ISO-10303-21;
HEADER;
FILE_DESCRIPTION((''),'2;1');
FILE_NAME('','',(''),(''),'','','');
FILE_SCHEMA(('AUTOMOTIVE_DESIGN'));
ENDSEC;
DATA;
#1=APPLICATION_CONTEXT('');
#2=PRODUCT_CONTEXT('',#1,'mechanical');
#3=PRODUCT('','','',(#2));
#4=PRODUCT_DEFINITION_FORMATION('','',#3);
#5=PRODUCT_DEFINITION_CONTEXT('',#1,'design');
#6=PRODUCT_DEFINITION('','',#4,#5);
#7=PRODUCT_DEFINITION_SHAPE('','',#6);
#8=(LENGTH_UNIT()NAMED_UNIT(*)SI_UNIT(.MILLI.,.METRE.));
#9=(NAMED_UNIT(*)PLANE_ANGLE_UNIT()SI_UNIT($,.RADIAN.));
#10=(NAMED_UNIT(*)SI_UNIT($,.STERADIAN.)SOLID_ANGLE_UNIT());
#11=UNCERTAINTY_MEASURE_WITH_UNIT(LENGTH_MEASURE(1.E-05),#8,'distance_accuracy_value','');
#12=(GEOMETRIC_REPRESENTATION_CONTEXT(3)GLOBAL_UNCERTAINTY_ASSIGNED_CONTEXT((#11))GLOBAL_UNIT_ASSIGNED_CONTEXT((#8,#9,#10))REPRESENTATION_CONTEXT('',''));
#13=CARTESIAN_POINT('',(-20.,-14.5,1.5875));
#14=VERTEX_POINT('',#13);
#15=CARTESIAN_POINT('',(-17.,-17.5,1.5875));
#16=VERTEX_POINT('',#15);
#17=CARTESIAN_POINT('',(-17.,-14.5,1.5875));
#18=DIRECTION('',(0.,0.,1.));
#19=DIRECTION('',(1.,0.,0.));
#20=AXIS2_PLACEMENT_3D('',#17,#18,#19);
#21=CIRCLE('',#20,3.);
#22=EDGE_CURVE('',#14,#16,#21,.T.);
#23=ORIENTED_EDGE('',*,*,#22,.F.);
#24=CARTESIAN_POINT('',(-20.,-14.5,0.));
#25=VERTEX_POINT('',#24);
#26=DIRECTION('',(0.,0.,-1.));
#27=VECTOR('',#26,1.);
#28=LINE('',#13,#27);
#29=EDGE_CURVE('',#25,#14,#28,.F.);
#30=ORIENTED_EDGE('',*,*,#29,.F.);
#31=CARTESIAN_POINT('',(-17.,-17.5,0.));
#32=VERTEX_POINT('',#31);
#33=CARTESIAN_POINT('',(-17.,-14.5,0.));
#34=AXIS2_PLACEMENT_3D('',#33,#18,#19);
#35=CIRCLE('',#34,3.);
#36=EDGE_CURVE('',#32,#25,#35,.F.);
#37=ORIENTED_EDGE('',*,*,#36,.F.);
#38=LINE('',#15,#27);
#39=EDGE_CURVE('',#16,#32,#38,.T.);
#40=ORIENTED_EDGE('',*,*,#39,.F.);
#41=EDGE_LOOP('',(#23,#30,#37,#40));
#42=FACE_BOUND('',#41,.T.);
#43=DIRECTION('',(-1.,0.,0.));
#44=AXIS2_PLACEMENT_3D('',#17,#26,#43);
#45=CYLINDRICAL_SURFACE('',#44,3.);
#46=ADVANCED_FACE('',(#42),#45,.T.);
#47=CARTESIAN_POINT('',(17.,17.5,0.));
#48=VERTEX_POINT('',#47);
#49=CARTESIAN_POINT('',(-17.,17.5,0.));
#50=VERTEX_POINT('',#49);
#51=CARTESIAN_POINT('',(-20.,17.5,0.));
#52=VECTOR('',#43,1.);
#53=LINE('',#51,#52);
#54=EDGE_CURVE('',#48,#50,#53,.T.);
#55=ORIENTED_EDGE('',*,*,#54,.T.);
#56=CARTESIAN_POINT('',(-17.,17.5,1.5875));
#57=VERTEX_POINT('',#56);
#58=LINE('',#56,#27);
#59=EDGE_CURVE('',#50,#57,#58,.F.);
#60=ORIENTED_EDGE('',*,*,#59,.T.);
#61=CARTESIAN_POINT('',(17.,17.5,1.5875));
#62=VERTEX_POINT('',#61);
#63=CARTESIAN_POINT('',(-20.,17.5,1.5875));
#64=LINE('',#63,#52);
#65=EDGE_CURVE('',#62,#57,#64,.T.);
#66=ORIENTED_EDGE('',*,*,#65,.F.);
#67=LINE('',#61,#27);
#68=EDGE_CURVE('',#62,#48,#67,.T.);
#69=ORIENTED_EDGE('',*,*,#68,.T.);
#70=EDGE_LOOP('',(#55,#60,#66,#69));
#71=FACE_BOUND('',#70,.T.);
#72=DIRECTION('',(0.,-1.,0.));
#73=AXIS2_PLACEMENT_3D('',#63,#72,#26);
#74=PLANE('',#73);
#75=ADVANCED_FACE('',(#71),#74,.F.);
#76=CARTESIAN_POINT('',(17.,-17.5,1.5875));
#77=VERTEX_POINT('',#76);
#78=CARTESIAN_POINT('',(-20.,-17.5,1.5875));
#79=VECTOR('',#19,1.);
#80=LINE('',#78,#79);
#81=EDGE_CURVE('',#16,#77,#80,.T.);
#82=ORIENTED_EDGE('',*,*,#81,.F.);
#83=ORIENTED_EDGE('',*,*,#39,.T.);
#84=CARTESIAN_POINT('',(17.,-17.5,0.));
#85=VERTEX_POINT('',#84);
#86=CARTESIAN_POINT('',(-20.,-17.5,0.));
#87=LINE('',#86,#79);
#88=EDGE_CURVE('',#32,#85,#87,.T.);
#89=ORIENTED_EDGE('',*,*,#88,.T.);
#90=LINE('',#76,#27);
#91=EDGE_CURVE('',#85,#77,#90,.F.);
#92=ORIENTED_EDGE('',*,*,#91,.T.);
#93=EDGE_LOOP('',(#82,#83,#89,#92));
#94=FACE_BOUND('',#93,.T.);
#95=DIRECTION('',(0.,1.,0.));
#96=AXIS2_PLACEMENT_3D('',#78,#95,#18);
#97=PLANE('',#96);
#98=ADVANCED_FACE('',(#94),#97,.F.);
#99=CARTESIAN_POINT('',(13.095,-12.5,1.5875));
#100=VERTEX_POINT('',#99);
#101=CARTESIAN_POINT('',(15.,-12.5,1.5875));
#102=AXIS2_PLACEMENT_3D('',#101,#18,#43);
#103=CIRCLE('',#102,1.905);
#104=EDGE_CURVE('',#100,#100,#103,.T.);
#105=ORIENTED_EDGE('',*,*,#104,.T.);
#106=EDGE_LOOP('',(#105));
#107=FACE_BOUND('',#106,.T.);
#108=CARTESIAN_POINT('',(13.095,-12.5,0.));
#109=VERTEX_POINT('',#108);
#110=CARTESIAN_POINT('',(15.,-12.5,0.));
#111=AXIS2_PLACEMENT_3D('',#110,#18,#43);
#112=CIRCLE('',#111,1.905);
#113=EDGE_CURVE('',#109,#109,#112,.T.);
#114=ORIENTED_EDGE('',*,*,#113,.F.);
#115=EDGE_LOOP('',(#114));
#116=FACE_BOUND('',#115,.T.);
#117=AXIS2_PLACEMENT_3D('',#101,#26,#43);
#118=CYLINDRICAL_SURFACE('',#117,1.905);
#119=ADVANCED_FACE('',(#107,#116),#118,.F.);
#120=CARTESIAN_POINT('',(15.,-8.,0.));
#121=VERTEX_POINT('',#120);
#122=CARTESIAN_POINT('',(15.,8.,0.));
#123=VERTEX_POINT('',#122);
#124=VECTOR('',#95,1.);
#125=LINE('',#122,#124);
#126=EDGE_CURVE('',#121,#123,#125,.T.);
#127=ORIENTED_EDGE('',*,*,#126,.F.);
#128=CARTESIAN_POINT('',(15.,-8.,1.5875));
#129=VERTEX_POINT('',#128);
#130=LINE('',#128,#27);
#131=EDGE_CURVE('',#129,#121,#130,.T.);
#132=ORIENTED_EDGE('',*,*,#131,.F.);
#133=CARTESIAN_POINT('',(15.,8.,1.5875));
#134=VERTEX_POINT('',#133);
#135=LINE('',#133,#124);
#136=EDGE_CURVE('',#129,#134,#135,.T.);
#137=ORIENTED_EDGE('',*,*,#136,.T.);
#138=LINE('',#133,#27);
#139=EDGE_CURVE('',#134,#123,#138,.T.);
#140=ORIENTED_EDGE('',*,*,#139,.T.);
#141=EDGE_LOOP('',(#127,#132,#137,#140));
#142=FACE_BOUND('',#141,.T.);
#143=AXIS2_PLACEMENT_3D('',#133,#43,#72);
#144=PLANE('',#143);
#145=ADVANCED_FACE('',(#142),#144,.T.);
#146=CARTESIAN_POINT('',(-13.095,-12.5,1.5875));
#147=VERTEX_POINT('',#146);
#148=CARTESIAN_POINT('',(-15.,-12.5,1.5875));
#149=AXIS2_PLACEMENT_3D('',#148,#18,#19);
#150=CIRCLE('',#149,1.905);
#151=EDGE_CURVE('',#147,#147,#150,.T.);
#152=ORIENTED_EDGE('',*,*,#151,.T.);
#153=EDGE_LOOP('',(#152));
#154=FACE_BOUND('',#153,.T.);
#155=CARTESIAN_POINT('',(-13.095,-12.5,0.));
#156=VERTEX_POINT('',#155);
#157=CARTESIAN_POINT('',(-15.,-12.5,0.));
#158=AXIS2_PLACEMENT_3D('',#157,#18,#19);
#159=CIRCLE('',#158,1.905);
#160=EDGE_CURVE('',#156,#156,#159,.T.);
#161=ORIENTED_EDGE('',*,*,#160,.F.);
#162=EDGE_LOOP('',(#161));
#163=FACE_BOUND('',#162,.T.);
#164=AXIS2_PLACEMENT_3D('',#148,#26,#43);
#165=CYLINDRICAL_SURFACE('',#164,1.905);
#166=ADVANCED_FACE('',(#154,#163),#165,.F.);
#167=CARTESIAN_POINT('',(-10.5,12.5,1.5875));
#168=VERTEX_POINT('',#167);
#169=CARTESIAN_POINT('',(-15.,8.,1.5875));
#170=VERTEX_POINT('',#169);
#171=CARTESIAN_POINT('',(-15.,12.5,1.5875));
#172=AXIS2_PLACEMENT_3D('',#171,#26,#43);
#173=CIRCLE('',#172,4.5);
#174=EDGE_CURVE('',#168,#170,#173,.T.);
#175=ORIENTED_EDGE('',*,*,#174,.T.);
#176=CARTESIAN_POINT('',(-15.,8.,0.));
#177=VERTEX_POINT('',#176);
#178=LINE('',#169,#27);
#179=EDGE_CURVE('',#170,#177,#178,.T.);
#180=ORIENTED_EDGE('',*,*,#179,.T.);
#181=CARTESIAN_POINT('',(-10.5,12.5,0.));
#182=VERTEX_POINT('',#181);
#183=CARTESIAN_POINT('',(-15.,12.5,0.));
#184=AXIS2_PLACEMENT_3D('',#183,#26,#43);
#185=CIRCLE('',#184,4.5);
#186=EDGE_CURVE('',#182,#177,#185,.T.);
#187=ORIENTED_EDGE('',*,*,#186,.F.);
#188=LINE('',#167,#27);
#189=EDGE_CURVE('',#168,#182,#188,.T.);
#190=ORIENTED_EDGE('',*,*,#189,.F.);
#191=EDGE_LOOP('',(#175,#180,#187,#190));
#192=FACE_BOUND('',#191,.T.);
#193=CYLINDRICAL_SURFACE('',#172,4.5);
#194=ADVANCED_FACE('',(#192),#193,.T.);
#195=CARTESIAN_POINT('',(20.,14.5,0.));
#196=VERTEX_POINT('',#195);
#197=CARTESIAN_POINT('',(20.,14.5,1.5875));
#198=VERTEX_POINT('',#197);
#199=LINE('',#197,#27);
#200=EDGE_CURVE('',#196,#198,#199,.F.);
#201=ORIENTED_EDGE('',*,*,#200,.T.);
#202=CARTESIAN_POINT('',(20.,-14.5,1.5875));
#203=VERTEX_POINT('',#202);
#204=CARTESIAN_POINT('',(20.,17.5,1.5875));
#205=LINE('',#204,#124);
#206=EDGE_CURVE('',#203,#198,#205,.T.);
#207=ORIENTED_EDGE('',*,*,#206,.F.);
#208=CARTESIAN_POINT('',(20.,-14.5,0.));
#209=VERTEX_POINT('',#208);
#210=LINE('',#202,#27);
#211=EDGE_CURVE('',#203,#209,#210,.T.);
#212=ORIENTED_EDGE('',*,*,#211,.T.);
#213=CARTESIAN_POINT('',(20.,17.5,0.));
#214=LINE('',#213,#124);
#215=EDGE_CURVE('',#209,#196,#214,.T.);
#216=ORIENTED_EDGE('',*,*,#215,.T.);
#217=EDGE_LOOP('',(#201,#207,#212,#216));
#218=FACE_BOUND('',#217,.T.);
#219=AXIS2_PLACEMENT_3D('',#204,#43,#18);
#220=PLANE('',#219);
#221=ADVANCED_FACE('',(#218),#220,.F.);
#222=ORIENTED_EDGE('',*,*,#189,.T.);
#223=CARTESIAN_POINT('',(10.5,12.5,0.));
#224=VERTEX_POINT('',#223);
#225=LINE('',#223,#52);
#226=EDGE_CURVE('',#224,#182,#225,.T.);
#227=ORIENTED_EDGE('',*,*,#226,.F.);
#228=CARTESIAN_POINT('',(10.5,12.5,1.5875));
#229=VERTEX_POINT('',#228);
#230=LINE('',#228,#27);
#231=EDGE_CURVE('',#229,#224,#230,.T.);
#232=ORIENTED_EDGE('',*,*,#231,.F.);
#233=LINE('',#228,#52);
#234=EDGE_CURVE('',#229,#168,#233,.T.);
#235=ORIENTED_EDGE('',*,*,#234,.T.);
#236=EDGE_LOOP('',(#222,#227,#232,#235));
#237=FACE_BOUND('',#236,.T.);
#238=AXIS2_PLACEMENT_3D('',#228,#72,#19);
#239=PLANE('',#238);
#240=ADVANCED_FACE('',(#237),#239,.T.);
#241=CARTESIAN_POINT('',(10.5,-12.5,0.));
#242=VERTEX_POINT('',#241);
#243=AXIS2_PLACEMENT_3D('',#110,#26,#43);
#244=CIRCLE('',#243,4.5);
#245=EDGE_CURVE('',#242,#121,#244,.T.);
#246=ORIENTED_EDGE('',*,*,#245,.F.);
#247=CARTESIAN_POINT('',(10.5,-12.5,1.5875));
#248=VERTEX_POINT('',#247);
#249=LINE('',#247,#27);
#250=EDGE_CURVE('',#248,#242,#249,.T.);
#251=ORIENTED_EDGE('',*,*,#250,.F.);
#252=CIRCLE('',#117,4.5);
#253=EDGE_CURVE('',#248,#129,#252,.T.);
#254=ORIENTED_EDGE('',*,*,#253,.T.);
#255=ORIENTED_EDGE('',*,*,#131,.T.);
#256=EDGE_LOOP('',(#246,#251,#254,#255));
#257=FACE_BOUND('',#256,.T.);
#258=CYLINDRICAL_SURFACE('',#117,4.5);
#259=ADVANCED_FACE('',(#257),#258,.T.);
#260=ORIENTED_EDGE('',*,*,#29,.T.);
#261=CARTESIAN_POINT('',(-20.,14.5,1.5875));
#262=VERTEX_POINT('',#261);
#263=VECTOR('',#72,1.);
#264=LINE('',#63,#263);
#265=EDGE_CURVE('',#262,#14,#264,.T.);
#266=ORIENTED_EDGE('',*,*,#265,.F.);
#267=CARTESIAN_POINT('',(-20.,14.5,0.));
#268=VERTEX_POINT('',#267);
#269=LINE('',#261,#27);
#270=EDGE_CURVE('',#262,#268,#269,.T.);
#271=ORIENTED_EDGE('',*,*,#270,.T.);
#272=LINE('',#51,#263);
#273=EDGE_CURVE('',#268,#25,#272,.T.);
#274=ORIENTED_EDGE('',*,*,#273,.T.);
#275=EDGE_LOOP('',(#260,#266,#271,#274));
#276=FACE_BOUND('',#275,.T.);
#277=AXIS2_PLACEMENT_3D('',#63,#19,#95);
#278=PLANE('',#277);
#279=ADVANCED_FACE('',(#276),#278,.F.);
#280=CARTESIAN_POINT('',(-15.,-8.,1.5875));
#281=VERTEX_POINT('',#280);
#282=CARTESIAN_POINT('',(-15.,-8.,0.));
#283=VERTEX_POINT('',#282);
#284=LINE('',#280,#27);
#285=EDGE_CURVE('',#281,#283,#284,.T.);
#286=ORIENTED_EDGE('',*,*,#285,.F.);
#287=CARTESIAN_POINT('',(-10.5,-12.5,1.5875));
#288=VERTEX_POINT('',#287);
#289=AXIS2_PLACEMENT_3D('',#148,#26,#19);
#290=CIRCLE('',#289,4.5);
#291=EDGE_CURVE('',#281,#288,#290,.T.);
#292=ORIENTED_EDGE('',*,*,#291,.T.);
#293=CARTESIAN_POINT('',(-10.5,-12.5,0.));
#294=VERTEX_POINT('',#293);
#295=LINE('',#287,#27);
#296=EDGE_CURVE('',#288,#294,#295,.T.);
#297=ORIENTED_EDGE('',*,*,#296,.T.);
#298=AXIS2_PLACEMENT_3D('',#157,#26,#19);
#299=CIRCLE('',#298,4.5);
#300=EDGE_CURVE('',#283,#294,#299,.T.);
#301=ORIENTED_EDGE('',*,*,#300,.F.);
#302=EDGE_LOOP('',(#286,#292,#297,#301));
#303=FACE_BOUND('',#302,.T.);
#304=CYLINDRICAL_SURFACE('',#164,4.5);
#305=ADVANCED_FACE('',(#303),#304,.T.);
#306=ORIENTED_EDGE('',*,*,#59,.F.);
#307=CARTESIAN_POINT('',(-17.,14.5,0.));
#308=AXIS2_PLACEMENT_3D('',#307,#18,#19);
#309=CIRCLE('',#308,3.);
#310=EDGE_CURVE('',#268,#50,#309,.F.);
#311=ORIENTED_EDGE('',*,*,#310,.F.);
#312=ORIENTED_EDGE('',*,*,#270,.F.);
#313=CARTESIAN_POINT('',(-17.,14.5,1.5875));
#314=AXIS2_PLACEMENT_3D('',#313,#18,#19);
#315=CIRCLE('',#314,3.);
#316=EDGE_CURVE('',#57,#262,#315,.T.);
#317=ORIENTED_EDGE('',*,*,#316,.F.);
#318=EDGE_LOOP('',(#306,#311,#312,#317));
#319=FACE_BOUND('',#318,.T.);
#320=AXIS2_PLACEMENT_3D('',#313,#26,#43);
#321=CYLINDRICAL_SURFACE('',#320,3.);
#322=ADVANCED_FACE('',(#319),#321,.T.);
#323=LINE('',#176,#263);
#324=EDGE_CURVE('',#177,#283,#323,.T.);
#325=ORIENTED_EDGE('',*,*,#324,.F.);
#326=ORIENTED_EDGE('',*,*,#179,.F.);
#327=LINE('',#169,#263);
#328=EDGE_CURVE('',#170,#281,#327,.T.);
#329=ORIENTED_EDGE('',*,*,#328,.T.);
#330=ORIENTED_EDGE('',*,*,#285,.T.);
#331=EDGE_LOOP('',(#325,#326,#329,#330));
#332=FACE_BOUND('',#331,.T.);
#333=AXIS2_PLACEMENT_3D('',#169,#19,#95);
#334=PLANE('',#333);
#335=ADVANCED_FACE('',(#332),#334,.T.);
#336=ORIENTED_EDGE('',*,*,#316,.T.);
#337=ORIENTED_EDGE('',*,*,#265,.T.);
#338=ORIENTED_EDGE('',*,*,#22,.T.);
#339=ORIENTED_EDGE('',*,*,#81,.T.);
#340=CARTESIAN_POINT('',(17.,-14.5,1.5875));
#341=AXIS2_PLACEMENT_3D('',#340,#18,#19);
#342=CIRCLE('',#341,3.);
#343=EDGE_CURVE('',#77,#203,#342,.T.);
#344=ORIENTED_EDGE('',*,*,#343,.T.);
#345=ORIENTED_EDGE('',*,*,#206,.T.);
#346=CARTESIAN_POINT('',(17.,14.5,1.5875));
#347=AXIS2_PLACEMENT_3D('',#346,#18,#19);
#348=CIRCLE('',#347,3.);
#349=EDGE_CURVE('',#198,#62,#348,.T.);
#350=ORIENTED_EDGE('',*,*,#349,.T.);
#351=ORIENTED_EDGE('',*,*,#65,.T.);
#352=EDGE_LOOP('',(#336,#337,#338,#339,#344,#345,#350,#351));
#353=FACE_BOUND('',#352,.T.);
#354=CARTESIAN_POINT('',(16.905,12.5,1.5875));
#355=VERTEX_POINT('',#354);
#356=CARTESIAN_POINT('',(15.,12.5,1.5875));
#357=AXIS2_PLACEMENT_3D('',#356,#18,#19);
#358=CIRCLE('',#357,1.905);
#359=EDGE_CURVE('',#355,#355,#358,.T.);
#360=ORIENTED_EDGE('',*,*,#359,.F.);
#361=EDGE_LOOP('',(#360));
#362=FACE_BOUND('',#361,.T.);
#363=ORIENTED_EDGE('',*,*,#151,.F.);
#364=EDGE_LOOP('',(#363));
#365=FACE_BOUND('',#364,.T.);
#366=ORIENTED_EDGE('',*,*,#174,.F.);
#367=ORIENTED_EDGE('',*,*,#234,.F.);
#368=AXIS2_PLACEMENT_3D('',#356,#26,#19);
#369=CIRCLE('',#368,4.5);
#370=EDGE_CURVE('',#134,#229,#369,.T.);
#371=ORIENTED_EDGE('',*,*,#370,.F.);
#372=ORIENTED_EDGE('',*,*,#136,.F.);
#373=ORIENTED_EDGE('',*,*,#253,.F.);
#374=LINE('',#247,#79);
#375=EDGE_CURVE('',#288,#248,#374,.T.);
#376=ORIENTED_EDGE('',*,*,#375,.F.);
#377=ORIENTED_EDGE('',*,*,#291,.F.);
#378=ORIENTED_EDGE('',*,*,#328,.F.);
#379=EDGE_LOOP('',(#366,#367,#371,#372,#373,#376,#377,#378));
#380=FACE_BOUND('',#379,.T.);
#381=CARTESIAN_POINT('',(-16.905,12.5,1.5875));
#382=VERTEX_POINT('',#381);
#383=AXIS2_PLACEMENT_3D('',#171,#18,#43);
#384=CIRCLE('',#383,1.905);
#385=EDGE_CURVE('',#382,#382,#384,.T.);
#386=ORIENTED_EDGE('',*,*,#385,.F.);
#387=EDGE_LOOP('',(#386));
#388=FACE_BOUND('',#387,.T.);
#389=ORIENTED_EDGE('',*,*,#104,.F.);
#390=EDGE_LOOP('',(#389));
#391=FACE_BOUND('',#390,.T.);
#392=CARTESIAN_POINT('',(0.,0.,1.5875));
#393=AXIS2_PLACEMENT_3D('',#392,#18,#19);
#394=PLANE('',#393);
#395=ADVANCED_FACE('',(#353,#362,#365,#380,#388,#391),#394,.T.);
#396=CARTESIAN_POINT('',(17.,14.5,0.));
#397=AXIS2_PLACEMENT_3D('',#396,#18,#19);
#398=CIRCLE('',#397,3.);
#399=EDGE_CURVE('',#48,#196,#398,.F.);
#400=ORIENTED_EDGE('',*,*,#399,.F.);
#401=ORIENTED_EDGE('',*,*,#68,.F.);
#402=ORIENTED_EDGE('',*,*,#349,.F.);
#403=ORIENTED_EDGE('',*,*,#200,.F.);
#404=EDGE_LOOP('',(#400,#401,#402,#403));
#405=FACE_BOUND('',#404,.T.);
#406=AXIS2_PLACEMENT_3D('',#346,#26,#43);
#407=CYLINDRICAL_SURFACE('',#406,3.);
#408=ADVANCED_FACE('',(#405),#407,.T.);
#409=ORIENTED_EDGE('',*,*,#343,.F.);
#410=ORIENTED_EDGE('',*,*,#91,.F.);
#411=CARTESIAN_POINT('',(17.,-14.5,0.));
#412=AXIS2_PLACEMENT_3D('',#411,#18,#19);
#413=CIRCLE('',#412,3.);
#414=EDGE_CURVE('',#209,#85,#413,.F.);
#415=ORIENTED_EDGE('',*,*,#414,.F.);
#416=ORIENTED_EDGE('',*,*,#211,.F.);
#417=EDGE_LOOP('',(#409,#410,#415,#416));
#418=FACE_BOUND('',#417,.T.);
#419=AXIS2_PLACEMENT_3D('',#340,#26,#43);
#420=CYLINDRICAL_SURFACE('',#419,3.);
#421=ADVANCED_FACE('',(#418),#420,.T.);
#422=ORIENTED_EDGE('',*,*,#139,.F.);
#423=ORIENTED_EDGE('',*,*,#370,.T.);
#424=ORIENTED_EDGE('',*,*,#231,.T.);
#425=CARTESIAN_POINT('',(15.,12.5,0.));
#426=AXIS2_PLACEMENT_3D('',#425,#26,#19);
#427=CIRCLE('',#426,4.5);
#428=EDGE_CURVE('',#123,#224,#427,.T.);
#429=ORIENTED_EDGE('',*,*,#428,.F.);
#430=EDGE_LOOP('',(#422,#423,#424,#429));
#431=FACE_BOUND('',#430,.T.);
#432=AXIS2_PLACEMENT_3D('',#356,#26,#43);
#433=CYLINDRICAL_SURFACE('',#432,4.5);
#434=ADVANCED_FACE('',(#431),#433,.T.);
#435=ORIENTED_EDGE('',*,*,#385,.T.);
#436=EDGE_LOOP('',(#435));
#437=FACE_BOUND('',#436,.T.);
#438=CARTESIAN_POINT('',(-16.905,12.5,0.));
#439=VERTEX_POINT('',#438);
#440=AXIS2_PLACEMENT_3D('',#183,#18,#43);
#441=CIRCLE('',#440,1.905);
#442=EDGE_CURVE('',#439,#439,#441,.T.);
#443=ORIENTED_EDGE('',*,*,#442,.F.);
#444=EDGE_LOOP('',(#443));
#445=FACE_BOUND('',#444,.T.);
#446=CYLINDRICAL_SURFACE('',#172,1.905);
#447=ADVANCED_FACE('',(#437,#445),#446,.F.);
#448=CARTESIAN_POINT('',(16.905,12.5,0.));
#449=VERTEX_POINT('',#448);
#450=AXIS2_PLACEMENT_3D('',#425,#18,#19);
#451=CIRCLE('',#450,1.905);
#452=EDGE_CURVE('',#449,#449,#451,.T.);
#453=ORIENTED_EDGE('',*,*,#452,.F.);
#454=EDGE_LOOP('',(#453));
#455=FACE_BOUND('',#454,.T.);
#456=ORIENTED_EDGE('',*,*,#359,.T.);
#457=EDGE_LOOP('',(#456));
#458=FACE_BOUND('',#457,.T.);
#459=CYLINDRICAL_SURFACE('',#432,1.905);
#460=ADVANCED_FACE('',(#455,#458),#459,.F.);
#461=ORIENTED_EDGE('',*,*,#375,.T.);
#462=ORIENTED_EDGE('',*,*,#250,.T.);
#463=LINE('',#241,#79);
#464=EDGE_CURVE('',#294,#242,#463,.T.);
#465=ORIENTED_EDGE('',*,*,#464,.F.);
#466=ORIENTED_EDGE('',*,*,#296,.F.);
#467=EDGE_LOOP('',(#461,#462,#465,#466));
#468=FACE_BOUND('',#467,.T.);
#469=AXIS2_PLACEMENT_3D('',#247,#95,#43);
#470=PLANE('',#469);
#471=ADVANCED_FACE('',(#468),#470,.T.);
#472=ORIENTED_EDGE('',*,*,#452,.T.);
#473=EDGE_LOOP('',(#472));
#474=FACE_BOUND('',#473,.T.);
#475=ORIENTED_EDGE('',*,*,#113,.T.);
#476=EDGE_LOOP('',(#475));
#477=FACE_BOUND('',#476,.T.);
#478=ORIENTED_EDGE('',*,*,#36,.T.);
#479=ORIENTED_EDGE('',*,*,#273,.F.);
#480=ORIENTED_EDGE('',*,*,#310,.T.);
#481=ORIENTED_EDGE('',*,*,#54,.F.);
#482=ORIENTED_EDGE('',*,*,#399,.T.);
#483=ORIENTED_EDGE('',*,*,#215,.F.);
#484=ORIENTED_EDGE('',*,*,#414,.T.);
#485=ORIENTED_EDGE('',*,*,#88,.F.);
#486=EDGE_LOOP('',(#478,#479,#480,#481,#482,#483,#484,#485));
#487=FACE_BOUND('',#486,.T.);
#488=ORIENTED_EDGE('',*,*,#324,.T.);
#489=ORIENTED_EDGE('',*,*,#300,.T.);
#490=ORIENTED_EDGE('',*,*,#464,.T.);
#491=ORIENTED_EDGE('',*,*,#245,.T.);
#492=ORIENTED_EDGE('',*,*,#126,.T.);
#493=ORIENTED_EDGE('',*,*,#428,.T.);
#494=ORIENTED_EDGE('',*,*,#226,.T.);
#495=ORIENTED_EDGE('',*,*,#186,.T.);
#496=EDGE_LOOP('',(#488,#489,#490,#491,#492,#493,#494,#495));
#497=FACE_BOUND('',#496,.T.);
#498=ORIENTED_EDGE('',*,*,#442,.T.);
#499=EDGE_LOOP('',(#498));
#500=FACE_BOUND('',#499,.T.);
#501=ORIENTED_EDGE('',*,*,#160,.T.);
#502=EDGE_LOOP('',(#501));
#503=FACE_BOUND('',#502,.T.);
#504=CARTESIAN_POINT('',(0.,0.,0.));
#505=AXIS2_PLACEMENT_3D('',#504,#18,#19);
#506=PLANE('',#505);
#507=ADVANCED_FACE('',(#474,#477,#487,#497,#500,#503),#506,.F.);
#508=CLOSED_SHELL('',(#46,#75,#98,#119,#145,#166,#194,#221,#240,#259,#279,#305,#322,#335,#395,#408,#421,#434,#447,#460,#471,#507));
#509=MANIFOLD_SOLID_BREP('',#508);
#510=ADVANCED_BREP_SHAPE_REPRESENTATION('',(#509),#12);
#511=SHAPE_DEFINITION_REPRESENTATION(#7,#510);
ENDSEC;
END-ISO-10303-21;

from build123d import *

# Parameters (mm, degrees)
SKETCH1_W           = 40
SKETCH1_H           = 35
SKETCH1_R           = 1.905
BOSS_EXTRUDE1_DEPTH = 1.5875
FILLET1_R           = 3


with BuildPart() as part:
    # Sketch1 → Boss-Extrude1 (new body)
    with BuildSketch(Plane.XY):
        Rectangle(SKETCH1_W, SKETCH1_H)
        with Locations((-15, -12.5)):
            Circle(SKETCH1_R, mode=Mode.SUBTRACT)
        with Locations(Location((15, -12.5, 0), (0, 0, 180))):
            Circle(SKETCH1_R, mode=Mode.SUBTRACT)
        with Locations((15, 12.5)):
            Circle(SKETCH1_R, mode=Mode.SUBTRACT)
        with Locations(Location((-15, 12.5, 0), (0, 0, 180))):
            Circle(SKETCH1_R, mode=Mode.SUBTRACT)
        with BuildLine():
            Line((-15, 8), (-15, -8))
            ThreePointArc((-15, -8), (-11.818019485, -9.318019485), (-10.5, -12.5))
            Line((-10.5, -12.5), (10.5, -12.5))
            ThreePointArc((10.5, -12.5), (11.818019485, -9.318019485), (15, -8))
            Line((15, -8), (15, 8))
            ThreePointArc((15, 8), (11.818019485, 9.318019485), (10.5, 12.5))
            Line((10.5, 12.5), (-10.5, 12.5))
            ThreePointArc((-10.5, 12.5), (-11.818019485, 9.318019485), (-15, 8))
        make_face(mode=Mode.SUBTRACT)
    extrude(amount=BOSS_EXTRUDE1_DEPTH)

    # Fillet1
    fillet1_edges = [part.edges().sort_by_distance(p)[0] for p in [
        (20, -17.5, 0.79375),
        (-20, -17.5, 0.79375),
        (-20, 17.5, 0.79375),
        (20, 17.5, 0.79375),
    ]]
    fillet(fillet1_edges, radius=FILLET1_R)


solid = part.part
